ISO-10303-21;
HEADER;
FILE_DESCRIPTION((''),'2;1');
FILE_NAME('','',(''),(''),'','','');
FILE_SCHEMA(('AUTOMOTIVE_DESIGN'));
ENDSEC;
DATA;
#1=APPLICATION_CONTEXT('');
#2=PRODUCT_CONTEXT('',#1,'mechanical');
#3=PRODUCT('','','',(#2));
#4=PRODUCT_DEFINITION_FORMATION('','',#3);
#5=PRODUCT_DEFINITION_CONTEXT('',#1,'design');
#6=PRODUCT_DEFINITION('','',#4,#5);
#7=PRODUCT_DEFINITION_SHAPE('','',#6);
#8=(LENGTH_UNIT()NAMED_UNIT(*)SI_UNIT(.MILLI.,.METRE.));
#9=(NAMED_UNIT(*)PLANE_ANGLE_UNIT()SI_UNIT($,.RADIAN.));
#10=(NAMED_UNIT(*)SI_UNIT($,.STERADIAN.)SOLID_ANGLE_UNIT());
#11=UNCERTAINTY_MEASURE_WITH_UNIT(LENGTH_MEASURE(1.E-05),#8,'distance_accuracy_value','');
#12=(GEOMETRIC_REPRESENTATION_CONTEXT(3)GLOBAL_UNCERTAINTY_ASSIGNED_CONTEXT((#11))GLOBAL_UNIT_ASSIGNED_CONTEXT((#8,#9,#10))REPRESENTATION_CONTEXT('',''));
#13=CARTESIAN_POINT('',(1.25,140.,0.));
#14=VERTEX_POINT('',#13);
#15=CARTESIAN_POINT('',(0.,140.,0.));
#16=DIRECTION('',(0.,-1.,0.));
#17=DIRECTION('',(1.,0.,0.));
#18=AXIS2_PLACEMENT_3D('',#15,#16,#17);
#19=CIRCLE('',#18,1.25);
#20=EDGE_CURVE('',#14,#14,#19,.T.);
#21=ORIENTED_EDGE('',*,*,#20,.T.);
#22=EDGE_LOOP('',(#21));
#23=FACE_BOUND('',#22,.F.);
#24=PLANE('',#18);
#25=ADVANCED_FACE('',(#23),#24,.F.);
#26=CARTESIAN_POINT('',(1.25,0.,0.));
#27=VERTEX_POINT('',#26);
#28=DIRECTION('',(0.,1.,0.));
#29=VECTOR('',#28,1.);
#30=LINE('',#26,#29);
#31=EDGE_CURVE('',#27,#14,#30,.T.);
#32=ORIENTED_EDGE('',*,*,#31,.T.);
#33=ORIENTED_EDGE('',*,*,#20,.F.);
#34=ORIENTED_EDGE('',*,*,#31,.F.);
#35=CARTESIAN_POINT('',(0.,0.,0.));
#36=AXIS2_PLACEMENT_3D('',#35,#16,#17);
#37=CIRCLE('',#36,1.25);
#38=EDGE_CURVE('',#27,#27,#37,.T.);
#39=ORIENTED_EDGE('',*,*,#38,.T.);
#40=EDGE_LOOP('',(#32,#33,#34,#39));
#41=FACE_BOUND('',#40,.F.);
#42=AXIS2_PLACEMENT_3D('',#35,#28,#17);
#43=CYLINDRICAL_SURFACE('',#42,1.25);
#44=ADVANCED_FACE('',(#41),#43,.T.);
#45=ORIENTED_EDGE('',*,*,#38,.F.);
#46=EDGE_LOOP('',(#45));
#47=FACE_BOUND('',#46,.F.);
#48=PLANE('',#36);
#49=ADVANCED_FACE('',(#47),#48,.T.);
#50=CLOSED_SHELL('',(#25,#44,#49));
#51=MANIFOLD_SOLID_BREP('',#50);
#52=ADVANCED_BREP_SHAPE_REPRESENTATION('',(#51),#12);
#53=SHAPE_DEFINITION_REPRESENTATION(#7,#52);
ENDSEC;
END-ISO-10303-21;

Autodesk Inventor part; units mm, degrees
ref_plane "YZ Plane" through (0, 0, 0) normal (1, 0, 0) x (0, 1, 0)
ref_plane "XZ Plane" through (0, 0, 0) normal (0, 1, 0) x (-1, 0, 0)
ref_plane "XY Plane" through (0, 0, 0) normal (0, 0, 1) x (1, 0, 0)
sketch "Sketch1" plane through (0, 0, 0) normal (0, 0, 1) x (1, 0, 0)
  line L0 (0, 0) -> (1.25, 0)
  line L1 (1.25, 0) -> (1.25, 140)
  line L2 (1.25, 140) -> (0, 140)
  line L3 (0, 140) -> (0, 0)
  dimension "d0" = 140
  dimension "d1" = 1.25
revolve "Revolution1" add sketch "Sketch1" angle 360 about axis through (0, 140, 0) along (0, -1, 0)
properties part number "supporting rod"
